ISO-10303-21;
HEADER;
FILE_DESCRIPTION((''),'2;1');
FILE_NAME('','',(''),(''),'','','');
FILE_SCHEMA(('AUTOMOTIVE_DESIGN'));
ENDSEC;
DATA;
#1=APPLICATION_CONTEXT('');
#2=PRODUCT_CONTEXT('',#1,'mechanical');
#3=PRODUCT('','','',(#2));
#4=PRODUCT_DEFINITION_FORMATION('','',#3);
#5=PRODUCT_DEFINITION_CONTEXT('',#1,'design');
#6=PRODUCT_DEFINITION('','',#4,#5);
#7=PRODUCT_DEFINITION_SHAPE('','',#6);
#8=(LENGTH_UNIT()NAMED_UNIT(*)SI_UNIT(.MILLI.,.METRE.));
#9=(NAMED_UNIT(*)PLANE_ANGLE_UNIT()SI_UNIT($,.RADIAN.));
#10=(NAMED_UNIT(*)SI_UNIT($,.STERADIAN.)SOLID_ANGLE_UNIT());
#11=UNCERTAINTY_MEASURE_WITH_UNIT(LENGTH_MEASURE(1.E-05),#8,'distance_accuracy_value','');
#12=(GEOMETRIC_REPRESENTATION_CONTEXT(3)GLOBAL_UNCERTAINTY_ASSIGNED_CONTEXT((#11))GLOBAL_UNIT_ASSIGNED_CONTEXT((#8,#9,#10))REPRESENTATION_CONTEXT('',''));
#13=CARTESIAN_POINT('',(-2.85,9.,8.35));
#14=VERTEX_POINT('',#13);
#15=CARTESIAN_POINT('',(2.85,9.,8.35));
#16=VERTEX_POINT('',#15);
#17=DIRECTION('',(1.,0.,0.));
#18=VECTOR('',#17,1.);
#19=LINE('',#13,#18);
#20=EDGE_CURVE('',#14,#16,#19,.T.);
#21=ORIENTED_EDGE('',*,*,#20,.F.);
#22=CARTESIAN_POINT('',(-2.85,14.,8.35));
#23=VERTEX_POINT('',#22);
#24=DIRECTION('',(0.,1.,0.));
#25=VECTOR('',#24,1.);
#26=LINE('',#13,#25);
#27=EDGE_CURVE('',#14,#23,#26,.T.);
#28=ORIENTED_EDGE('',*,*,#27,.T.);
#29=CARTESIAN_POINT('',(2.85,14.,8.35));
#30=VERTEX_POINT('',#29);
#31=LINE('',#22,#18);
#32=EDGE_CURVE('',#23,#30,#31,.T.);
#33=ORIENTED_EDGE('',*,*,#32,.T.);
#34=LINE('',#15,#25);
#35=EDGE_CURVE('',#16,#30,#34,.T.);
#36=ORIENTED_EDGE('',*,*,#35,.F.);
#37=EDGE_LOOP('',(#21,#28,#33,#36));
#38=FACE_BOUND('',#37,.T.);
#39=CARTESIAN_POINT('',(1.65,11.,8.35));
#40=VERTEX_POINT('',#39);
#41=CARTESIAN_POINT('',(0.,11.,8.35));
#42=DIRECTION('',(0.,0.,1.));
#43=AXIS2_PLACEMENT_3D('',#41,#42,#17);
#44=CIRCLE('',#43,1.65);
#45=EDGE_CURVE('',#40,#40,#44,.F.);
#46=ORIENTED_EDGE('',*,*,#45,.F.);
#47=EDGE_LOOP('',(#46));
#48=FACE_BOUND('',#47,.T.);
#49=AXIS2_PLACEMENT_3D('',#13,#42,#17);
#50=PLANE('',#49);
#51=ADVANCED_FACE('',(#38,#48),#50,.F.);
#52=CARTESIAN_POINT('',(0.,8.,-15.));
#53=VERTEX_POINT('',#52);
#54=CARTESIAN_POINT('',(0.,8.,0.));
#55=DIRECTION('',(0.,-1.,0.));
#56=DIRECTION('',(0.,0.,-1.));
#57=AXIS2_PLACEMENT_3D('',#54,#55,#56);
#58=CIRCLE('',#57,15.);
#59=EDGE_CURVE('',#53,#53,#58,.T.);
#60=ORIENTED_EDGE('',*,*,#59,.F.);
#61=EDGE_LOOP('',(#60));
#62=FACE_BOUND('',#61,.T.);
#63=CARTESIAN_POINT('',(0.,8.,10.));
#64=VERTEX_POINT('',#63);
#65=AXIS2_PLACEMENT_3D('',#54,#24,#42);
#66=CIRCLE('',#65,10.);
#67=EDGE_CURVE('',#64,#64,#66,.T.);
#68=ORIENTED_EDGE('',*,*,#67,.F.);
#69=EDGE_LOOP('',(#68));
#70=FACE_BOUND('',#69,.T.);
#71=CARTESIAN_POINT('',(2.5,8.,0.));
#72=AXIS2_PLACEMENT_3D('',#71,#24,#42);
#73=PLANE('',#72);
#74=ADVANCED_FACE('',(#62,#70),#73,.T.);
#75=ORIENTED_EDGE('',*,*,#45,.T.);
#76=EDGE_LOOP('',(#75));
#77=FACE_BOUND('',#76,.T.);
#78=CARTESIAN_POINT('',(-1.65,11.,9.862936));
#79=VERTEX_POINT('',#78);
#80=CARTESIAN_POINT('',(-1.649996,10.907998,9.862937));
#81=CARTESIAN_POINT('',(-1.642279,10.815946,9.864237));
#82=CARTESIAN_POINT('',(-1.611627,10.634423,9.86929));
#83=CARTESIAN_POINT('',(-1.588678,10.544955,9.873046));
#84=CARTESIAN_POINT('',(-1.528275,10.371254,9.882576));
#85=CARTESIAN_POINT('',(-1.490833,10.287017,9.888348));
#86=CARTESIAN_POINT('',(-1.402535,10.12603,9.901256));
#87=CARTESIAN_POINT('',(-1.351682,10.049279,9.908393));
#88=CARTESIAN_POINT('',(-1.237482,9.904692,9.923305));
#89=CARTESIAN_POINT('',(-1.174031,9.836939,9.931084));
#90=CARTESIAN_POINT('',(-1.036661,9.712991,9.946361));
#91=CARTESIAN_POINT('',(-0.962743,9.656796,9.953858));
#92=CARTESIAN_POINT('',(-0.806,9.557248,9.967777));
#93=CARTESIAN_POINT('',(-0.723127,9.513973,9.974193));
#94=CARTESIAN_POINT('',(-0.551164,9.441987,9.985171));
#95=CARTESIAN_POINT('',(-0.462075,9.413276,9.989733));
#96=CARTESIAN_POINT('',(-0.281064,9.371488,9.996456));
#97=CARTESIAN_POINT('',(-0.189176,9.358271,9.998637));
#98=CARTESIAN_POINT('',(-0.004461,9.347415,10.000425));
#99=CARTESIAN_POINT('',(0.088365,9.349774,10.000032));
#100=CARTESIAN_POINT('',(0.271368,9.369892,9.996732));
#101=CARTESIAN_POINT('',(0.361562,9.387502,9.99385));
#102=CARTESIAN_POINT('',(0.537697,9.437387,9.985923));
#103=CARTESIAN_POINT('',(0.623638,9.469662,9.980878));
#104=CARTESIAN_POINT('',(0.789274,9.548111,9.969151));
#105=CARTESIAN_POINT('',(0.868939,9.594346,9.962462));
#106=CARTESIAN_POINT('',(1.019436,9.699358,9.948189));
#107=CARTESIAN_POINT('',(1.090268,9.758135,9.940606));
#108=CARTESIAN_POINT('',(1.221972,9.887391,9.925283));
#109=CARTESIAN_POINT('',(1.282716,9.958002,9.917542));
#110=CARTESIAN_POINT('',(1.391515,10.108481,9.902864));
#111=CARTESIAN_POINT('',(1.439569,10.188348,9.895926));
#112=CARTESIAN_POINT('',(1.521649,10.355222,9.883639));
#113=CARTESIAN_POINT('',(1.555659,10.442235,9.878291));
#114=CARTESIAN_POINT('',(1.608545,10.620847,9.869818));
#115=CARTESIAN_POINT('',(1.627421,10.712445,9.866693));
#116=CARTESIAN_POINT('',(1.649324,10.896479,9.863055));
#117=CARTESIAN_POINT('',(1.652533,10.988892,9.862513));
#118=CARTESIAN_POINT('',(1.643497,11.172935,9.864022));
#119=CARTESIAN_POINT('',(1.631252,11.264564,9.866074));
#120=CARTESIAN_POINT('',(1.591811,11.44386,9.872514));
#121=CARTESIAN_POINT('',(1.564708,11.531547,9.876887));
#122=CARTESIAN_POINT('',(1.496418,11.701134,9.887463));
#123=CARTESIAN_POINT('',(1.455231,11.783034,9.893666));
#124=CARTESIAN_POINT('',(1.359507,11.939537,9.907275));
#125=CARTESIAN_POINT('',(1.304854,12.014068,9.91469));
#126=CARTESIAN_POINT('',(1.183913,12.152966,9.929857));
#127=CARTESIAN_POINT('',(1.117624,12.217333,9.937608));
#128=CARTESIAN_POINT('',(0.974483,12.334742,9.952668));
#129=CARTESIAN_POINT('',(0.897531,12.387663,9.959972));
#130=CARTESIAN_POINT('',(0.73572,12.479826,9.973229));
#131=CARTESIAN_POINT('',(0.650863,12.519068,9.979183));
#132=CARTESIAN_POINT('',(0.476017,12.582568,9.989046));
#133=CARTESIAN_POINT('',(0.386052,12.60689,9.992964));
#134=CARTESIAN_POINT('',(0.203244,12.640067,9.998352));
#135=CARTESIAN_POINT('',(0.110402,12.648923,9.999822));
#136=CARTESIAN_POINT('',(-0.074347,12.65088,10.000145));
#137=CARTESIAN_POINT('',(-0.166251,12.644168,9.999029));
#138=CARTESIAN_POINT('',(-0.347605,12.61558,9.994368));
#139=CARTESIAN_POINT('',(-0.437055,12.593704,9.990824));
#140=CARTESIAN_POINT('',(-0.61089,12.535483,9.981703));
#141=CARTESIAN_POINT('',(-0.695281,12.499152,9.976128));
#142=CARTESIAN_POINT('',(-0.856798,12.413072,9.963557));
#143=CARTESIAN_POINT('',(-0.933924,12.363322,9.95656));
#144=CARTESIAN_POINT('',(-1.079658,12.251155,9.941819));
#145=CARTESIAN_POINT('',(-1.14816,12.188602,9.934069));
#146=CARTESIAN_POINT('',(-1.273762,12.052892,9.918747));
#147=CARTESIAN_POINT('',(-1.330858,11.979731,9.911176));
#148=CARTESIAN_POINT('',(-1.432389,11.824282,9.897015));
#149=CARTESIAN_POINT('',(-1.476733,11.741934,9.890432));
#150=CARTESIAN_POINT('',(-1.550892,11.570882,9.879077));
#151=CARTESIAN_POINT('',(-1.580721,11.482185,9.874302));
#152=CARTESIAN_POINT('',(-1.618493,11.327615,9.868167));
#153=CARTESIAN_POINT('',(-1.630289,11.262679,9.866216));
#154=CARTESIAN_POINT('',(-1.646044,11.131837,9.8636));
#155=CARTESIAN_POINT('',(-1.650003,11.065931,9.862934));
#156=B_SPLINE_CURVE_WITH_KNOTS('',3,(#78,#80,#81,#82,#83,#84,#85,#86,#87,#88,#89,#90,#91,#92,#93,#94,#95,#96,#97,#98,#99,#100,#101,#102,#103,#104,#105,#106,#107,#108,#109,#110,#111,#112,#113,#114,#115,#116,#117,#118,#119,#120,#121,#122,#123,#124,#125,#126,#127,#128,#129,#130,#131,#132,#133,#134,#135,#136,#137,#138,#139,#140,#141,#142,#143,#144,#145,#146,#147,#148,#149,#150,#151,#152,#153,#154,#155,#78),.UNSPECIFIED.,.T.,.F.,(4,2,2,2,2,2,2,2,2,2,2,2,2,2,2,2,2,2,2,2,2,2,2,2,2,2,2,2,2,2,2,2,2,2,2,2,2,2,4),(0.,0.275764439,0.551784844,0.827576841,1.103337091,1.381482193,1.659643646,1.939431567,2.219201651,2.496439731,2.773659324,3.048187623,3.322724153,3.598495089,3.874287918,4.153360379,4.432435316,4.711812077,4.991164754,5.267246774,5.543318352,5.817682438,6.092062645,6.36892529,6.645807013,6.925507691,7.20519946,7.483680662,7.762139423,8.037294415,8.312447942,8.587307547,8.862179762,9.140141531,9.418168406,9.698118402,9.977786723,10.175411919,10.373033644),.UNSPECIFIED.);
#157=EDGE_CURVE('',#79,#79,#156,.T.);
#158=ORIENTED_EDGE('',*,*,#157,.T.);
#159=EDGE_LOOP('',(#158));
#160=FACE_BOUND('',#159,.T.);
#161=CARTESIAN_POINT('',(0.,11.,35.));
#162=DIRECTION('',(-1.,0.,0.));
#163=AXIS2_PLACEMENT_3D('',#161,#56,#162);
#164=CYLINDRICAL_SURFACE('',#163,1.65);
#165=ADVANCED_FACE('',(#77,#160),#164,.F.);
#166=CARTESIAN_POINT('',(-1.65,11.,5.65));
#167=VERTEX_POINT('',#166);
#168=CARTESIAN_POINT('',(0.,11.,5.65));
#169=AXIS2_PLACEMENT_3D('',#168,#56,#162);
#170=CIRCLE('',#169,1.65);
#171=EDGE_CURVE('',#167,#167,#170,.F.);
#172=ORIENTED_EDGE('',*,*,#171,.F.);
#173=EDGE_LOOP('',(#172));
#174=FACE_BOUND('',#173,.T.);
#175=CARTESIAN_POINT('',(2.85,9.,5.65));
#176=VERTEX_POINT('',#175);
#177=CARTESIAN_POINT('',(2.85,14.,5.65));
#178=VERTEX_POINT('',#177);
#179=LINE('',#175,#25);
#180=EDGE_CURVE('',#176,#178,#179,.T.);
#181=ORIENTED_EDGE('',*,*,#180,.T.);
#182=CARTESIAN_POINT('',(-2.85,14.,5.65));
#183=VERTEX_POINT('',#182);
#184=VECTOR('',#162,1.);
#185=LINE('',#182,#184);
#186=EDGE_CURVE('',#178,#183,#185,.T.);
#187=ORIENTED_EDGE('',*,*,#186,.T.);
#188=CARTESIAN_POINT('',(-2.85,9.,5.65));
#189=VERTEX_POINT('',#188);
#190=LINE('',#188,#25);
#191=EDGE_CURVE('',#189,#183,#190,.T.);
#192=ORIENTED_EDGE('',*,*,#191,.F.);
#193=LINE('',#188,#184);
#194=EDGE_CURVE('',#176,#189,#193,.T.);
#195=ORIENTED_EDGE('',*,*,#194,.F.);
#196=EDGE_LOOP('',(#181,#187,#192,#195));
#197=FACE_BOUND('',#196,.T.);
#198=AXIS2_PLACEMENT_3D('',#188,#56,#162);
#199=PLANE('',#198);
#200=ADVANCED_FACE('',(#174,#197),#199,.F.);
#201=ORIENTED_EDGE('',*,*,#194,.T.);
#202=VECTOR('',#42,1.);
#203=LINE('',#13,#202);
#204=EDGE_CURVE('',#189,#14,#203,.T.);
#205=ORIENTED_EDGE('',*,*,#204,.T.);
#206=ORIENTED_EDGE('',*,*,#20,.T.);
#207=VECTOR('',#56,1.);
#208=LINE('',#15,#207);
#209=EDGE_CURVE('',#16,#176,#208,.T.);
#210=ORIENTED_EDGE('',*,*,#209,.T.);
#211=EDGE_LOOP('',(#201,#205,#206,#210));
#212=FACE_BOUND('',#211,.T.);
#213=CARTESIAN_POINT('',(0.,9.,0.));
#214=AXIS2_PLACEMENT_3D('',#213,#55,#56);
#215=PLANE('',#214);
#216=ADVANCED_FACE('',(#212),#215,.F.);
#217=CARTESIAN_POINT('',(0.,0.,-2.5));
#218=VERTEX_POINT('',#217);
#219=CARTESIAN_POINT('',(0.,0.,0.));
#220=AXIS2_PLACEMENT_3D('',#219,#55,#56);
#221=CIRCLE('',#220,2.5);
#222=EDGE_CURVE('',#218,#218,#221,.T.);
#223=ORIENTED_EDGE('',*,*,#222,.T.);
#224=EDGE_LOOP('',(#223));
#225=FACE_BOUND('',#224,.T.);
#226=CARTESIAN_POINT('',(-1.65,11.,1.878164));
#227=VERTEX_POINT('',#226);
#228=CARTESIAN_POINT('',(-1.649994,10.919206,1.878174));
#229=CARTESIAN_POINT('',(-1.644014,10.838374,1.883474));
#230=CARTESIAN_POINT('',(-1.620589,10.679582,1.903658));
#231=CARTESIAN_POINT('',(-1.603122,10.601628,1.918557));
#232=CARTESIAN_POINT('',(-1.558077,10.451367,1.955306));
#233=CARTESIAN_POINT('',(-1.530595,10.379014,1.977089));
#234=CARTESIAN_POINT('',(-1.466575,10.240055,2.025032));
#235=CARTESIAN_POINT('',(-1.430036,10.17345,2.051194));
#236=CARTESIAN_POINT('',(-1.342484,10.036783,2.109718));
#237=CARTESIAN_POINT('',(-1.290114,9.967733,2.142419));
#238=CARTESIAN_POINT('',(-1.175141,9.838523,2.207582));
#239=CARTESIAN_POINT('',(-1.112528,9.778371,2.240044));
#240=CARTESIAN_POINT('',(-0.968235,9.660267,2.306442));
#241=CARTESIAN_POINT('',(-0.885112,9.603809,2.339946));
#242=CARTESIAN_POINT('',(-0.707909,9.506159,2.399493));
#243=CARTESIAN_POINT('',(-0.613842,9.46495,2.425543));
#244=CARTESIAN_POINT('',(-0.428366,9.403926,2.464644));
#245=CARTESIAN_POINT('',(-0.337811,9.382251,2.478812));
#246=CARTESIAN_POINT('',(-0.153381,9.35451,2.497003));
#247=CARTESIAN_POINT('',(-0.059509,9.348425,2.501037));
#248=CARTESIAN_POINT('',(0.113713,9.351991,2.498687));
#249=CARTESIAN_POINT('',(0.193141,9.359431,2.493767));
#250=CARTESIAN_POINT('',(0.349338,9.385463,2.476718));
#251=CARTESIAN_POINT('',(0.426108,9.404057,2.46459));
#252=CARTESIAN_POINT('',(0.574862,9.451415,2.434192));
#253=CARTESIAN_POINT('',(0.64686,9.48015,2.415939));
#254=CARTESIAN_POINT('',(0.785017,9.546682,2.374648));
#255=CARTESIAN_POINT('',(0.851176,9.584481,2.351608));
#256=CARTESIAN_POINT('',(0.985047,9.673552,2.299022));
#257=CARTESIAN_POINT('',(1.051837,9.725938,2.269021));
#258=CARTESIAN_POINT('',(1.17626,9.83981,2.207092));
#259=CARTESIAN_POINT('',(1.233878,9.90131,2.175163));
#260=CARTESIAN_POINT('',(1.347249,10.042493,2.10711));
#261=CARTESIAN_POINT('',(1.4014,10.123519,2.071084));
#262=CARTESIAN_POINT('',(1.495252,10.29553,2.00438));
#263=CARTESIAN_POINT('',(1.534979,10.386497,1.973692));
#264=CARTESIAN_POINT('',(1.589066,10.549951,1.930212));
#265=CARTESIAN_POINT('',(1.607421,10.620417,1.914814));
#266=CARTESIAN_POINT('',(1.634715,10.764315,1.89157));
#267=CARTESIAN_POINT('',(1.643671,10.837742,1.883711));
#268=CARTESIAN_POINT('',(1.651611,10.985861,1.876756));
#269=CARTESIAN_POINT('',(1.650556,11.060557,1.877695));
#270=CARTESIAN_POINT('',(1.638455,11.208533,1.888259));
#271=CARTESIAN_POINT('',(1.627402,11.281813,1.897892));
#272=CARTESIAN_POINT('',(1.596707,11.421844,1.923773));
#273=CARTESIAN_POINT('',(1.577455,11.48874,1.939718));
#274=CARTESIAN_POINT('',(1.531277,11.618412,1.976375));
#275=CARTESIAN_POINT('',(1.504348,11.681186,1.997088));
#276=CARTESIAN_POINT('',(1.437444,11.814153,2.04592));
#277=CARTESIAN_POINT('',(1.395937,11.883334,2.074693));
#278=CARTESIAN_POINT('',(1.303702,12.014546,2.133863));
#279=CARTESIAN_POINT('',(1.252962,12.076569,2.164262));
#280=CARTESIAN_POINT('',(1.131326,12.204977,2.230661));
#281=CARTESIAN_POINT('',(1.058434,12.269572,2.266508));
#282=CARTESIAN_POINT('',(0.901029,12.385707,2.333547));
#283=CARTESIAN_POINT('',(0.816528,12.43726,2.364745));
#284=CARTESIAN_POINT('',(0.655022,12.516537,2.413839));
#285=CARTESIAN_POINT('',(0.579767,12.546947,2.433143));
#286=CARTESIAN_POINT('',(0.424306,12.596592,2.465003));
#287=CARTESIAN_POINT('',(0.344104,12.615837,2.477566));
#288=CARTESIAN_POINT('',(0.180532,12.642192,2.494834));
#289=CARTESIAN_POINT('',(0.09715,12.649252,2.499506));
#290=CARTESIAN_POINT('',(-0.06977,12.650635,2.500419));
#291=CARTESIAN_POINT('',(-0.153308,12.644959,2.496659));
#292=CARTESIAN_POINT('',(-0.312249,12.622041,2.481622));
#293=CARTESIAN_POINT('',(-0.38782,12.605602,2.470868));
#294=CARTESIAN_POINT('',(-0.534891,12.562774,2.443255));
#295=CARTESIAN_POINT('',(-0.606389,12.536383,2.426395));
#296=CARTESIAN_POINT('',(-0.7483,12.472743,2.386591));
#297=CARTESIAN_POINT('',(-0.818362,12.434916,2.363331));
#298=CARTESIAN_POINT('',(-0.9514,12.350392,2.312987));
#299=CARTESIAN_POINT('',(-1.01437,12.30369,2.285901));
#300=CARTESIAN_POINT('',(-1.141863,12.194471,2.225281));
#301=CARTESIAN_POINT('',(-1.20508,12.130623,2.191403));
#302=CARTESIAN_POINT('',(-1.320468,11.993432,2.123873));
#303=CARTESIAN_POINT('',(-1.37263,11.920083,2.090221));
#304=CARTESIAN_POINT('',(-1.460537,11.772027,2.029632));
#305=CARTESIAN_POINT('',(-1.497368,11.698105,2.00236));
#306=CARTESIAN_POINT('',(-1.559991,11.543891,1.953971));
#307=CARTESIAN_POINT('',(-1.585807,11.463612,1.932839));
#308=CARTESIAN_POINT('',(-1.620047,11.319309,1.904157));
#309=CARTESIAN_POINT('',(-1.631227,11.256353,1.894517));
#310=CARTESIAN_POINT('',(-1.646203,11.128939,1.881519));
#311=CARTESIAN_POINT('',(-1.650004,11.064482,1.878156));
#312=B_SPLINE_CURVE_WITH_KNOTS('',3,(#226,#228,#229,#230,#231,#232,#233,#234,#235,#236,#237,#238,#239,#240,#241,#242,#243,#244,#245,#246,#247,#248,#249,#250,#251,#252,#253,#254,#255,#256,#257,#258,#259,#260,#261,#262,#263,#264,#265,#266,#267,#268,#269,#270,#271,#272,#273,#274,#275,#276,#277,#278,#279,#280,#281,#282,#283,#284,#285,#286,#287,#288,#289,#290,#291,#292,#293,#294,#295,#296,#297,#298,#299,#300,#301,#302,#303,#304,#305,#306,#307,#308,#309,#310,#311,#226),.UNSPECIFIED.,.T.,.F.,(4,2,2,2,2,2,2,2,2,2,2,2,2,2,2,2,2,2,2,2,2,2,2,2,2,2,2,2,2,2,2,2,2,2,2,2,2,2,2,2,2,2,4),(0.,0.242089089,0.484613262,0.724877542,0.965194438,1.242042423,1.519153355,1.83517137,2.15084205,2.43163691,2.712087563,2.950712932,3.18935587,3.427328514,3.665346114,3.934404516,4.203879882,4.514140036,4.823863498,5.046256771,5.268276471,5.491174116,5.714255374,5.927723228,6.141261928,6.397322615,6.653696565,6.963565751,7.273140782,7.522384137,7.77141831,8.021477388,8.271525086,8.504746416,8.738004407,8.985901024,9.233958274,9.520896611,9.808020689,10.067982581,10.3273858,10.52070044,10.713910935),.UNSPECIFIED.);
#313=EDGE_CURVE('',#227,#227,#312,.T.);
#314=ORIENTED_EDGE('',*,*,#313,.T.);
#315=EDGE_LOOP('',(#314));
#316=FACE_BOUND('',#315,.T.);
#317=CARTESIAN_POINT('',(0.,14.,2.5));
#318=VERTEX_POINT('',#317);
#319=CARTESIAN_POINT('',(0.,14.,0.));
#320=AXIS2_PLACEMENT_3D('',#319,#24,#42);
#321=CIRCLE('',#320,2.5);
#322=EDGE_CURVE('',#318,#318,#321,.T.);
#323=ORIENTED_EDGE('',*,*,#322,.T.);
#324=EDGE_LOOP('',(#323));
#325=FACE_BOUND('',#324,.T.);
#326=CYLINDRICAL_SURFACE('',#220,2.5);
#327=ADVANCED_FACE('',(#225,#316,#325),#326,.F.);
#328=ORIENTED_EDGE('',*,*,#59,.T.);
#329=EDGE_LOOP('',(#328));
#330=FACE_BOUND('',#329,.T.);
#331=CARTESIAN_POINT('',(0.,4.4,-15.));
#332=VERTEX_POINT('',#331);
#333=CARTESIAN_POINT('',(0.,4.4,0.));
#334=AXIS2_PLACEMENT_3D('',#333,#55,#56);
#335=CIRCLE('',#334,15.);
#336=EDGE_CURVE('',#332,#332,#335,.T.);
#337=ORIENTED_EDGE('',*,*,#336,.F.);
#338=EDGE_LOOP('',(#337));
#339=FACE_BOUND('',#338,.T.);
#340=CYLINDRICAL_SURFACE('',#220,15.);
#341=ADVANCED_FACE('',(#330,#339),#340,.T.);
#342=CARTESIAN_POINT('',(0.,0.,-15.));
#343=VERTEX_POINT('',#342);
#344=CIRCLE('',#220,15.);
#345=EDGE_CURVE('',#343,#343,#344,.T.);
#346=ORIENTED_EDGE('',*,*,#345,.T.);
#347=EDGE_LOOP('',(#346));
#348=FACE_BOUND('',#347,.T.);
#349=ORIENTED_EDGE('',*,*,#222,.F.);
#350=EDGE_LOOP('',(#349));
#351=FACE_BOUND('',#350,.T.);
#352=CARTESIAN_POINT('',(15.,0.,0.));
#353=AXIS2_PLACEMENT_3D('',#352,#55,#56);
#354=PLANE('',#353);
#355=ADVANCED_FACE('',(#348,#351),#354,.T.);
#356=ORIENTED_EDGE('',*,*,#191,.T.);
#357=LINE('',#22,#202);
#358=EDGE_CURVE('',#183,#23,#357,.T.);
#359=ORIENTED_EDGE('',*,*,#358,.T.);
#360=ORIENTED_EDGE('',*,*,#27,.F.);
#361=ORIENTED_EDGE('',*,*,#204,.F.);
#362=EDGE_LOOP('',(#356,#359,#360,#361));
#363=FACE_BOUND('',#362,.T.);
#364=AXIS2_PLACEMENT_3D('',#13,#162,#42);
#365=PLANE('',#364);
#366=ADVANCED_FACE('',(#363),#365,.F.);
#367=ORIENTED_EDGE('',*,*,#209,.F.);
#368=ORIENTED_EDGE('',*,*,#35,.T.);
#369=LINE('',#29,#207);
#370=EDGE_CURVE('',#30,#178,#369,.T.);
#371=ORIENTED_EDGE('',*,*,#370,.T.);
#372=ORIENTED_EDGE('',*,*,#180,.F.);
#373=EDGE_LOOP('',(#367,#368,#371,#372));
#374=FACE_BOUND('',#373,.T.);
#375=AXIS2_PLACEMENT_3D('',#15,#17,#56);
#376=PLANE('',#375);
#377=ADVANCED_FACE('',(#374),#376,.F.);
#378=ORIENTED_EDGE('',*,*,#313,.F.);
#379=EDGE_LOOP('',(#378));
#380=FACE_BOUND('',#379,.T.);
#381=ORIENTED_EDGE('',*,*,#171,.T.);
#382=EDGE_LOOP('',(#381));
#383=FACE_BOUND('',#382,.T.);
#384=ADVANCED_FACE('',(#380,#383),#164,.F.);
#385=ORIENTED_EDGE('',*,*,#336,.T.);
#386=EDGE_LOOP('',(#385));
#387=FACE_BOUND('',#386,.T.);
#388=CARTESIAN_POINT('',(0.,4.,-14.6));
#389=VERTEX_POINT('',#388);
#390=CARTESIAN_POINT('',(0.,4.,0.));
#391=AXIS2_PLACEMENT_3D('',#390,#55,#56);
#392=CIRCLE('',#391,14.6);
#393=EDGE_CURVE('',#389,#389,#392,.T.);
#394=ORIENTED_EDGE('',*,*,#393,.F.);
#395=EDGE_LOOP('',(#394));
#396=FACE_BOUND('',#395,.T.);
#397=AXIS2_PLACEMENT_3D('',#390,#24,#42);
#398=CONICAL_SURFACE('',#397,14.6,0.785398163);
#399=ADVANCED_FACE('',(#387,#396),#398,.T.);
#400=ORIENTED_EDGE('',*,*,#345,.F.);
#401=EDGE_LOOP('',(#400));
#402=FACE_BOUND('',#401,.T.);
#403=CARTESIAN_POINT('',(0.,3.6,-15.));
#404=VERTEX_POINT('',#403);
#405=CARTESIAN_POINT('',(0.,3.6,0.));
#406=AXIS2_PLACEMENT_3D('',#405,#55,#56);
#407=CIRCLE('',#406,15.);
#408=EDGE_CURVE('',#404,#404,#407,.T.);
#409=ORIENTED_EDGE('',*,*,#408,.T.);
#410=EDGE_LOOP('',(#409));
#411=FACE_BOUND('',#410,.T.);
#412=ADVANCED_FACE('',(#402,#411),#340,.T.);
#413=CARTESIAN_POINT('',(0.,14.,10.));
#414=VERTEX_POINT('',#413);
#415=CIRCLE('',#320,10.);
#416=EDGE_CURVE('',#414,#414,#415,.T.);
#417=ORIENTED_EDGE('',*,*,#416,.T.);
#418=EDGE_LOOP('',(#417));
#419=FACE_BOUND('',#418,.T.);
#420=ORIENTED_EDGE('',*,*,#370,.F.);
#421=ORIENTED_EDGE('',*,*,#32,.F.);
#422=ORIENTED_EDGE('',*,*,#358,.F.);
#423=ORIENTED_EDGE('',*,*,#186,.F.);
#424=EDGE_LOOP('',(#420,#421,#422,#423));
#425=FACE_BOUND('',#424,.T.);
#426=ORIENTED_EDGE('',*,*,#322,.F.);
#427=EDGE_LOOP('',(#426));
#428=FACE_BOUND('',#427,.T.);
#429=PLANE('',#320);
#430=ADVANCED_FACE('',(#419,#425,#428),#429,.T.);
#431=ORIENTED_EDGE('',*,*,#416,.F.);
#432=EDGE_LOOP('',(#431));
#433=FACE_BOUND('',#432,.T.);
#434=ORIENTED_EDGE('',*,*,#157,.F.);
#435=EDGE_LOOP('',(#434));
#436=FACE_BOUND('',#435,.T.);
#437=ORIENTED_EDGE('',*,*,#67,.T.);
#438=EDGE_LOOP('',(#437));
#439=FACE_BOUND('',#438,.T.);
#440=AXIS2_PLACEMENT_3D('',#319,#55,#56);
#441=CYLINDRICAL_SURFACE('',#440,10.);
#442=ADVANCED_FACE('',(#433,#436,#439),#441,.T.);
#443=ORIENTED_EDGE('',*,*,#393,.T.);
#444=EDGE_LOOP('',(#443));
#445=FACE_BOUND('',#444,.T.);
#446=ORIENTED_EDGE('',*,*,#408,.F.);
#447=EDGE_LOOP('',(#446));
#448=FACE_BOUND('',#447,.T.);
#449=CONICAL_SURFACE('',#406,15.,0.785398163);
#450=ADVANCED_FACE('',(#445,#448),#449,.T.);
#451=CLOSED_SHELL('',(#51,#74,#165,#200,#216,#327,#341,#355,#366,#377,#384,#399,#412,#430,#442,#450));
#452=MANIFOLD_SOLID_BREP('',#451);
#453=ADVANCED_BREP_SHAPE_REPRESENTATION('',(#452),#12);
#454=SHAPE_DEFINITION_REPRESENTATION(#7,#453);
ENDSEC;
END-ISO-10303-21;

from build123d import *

# Parameters (mm, degrees)
BOSS_EXTRUDE1_START = 6
SKETCH2_R           = 10
SKETCH2_R_2         = 2.5
BOSS_EXTRUDE1_DEPTH = 6
SKETCH3_W           = 5.7
SKETCH3_H           = 2.7
CUT_EXTRUDE1_DEPTH  = 5
SKETCH4_R           = 1.65
CUT_EXTRUDE2_DEPTH  = 35


with BuildPart() as part:
    # Sketch1 → Revolve1 (revolve)
    with BuildSketch(Plane.XY, mode=Mode.PRIVATE) as revolve1_sk:
        Polygon((2.5, 8), (15, 8), (15, 4.4), (14.6, 4), (15, 3.6), (15, 0), (2.5, 0), align=None)
    revolve(revolve1_sk.sketch.rotate(Axis((0, 0, 0), (0, 1, 0)), 90), axis=Axis((0, 0, 0), (0, 1, 0)))

    # Sketch2 → Boss-Extrude1 (add)
    with BuildSketch(Plane(origin=(0, 8, 0), x_dir=(1, 0, 0), z_dir=(0, 1, 0)).offset(BOSS_EXTRUDE1_START)):
        with Locations(Location((0, 0, 0), (0, 0, 270))):
            Circle(SKETCH2_R)
        with Locations(Location((0, 0, 0), (0, 0, 90))):
            Circle(SKETCH2_R_2, mode=Mode.SUBTRACT)
    extrude(amount=-BOSS_EXTRUDE1_DEPTH)

    # Sketch3 → Cut-Extrude1 (cut)
    with BuildSketch(Plane(origin=(0, 14, 0), x_dir=(1, 0, 0), z_dir=(0, 1, 0))):
        with Locations((0, -7)):
            Rectangle(SKETCH3_W, SKETCH3_H)
    extrude(amount=-CUT_EXTRUDE1_DEPTH, mode=Mode.SUBTRACT)

    # Sketch4 → Cut-Extrude2 (cut)
    with BuildSketch(Plane.XY):
        with Locations(Location((0, 11, 0), (0, 0, 180))):
            Circle(SKETCH4_R)
    extrude(amount=CUT_EXTRUDE2_DEPTH, mode=Mode.SUBTRACT)


solid = part.part
